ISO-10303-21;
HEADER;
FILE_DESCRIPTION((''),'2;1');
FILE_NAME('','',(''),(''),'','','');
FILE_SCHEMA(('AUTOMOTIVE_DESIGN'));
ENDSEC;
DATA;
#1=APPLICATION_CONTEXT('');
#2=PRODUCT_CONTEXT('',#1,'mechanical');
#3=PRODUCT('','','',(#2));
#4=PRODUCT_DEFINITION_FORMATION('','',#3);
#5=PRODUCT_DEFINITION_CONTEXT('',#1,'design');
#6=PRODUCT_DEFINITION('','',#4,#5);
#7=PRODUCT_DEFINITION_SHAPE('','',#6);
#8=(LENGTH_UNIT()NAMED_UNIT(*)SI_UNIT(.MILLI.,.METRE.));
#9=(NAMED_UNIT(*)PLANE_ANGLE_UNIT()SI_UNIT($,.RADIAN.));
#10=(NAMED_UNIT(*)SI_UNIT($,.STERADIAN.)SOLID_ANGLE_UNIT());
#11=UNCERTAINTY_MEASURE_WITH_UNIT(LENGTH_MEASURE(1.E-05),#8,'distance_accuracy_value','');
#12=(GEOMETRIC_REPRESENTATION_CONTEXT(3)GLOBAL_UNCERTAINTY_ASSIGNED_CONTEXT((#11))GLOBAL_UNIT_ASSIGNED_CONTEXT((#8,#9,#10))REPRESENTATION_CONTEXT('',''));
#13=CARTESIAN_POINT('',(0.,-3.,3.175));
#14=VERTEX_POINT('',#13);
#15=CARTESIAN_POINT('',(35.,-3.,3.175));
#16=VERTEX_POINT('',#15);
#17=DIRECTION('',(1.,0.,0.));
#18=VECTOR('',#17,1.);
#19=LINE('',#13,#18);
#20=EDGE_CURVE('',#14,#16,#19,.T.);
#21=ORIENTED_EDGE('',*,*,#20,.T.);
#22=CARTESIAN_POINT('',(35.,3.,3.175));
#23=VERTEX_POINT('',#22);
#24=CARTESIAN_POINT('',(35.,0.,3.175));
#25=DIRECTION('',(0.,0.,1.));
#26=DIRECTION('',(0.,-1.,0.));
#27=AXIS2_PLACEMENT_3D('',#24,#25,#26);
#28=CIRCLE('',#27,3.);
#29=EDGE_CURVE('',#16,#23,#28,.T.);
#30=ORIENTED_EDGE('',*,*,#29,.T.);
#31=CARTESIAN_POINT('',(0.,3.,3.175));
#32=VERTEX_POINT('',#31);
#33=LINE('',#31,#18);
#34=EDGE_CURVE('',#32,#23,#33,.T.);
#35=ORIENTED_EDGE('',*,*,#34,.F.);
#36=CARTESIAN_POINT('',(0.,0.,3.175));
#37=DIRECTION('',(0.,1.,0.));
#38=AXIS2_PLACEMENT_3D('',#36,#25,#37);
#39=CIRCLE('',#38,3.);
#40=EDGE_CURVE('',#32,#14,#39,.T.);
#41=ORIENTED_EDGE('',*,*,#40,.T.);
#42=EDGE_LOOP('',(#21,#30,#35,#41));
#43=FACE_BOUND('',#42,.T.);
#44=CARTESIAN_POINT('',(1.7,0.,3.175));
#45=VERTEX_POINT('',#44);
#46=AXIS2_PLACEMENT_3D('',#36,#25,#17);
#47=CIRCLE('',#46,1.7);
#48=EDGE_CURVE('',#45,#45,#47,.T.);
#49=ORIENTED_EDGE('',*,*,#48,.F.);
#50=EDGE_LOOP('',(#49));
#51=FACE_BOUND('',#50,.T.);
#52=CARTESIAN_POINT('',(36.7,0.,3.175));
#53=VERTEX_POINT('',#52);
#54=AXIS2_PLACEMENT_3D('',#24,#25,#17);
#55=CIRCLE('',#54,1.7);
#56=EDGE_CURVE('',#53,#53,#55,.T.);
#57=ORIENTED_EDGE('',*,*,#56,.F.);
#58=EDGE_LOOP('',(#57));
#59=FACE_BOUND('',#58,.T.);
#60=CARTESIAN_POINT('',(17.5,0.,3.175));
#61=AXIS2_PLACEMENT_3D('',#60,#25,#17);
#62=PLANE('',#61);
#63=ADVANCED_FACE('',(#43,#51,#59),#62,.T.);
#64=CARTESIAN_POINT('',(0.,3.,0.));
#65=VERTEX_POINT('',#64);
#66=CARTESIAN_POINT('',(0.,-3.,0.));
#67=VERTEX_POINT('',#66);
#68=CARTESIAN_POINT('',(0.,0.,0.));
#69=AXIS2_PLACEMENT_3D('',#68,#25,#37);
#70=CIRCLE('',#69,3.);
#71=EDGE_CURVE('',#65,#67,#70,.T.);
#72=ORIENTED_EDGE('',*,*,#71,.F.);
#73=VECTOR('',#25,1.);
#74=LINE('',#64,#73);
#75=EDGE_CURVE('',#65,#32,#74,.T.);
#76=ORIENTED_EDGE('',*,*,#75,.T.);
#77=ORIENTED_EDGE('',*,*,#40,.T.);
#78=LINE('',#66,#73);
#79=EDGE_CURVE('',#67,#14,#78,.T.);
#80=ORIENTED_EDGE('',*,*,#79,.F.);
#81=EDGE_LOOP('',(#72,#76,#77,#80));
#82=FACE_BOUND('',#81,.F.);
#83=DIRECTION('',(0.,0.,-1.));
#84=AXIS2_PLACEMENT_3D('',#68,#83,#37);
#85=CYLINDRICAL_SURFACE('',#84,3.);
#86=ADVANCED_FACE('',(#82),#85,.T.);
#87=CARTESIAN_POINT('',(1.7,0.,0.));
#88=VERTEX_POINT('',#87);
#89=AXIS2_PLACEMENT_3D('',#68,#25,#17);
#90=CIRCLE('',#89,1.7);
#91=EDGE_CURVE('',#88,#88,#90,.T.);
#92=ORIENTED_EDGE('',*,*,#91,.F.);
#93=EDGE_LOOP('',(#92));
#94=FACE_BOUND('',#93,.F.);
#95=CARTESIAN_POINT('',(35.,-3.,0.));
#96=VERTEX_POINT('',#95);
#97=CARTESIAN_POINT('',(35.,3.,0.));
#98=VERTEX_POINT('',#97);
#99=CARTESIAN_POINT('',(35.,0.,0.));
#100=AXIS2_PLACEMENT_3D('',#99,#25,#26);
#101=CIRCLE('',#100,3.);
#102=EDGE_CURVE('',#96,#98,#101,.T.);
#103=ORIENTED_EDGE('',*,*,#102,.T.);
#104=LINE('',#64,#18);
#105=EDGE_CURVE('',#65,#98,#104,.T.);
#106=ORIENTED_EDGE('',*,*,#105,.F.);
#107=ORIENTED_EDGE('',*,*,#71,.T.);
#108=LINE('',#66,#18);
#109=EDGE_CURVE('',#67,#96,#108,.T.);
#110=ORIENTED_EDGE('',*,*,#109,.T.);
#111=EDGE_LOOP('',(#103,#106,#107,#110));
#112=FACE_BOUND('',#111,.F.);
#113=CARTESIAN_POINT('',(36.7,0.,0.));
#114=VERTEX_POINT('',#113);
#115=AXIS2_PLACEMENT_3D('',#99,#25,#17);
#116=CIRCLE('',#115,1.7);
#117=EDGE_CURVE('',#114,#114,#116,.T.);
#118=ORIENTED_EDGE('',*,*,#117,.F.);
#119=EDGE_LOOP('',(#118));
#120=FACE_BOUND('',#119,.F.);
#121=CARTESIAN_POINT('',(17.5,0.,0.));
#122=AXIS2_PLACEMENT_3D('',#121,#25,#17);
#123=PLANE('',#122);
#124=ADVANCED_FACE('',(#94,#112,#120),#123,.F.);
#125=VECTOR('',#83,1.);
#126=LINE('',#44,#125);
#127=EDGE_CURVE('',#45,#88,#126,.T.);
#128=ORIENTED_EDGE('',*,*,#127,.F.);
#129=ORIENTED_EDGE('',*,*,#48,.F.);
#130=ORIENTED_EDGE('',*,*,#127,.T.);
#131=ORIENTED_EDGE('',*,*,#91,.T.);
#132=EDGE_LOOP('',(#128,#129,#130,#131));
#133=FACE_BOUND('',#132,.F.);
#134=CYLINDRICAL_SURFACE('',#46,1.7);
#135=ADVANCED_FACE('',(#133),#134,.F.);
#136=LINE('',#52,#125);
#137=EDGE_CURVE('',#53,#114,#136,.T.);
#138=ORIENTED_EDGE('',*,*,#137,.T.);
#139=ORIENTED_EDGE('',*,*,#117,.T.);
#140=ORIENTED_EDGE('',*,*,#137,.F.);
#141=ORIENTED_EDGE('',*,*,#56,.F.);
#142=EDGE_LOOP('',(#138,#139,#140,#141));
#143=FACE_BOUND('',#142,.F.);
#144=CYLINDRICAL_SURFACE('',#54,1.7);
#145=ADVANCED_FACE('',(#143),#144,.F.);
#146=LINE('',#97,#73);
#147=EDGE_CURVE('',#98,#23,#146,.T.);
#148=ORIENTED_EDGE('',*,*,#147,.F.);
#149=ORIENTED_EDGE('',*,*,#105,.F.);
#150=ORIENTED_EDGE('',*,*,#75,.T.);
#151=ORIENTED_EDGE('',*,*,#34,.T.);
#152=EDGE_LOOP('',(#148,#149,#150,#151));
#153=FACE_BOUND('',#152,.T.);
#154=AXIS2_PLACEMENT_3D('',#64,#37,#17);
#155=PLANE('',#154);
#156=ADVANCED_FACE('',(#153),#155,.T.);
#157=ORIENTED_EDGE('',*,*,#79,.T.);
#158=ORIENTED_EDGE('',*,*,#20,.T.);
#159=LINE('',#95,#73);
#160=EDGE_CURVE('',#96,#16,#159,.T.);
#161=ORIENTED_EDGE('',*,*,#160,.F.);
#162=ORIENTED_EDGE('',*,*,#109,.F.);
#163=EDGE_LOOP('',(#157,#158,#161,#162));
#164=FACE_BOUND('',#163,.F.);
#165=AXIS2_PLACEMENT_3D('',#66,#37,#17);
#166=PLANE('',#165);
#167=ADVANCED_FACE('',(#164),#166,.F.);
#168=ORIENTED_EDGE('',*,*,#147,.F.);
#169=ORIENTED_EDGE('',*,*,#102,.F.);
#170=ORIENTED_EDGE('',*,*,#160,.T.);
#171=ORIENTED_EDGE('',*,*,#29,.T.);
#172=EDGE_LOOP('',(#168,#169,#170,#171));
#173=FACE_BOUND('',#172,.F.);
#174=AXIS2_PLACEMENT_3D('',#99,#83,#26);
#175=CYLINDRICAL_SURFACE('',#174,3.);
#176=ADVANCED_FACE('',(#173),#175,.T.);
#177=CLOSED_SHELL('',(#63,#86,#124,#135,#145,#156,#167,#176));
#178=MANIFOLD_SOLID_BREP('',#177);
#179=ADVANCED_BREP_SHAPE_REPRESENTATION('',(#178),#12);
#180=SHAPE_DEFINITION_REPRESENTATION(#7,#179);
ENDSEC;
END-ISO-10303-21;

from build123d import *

# Parameters (mm, degrees)
PAD_DEPTH   = 3.175
SKETCH001_R = 1.7
HOLE_DEPTH  = 3.176


with BuildPart() as part:
    # Sketch → Pad (new body)
    with BuildSketch(Plane.XY):
        with BuildLine():
            ThreePointArc((0, 3), (-3, 0), (0, -3))
            Line((0, -3), (35, -3))
            ThreePointArc((35, -3), (38, 0), (35, 3))
            Line((0, 3), (35, 3))
        make_face()
    extrude(amount=PAD_DEPTH)

    # Sketch001 (on Face6 of Pad) → Hole (cut, through all)
    with BuildSketch(Plane.XY.offset(3.175)):
        Circle(SKETCH001_R)
        with Locations((35, 0)):
            Circle(SKETCH001_R)
    extrude(amount=-HOLE_DEPTH, mode=Mode.SUBTRACT)


solid = part.part
